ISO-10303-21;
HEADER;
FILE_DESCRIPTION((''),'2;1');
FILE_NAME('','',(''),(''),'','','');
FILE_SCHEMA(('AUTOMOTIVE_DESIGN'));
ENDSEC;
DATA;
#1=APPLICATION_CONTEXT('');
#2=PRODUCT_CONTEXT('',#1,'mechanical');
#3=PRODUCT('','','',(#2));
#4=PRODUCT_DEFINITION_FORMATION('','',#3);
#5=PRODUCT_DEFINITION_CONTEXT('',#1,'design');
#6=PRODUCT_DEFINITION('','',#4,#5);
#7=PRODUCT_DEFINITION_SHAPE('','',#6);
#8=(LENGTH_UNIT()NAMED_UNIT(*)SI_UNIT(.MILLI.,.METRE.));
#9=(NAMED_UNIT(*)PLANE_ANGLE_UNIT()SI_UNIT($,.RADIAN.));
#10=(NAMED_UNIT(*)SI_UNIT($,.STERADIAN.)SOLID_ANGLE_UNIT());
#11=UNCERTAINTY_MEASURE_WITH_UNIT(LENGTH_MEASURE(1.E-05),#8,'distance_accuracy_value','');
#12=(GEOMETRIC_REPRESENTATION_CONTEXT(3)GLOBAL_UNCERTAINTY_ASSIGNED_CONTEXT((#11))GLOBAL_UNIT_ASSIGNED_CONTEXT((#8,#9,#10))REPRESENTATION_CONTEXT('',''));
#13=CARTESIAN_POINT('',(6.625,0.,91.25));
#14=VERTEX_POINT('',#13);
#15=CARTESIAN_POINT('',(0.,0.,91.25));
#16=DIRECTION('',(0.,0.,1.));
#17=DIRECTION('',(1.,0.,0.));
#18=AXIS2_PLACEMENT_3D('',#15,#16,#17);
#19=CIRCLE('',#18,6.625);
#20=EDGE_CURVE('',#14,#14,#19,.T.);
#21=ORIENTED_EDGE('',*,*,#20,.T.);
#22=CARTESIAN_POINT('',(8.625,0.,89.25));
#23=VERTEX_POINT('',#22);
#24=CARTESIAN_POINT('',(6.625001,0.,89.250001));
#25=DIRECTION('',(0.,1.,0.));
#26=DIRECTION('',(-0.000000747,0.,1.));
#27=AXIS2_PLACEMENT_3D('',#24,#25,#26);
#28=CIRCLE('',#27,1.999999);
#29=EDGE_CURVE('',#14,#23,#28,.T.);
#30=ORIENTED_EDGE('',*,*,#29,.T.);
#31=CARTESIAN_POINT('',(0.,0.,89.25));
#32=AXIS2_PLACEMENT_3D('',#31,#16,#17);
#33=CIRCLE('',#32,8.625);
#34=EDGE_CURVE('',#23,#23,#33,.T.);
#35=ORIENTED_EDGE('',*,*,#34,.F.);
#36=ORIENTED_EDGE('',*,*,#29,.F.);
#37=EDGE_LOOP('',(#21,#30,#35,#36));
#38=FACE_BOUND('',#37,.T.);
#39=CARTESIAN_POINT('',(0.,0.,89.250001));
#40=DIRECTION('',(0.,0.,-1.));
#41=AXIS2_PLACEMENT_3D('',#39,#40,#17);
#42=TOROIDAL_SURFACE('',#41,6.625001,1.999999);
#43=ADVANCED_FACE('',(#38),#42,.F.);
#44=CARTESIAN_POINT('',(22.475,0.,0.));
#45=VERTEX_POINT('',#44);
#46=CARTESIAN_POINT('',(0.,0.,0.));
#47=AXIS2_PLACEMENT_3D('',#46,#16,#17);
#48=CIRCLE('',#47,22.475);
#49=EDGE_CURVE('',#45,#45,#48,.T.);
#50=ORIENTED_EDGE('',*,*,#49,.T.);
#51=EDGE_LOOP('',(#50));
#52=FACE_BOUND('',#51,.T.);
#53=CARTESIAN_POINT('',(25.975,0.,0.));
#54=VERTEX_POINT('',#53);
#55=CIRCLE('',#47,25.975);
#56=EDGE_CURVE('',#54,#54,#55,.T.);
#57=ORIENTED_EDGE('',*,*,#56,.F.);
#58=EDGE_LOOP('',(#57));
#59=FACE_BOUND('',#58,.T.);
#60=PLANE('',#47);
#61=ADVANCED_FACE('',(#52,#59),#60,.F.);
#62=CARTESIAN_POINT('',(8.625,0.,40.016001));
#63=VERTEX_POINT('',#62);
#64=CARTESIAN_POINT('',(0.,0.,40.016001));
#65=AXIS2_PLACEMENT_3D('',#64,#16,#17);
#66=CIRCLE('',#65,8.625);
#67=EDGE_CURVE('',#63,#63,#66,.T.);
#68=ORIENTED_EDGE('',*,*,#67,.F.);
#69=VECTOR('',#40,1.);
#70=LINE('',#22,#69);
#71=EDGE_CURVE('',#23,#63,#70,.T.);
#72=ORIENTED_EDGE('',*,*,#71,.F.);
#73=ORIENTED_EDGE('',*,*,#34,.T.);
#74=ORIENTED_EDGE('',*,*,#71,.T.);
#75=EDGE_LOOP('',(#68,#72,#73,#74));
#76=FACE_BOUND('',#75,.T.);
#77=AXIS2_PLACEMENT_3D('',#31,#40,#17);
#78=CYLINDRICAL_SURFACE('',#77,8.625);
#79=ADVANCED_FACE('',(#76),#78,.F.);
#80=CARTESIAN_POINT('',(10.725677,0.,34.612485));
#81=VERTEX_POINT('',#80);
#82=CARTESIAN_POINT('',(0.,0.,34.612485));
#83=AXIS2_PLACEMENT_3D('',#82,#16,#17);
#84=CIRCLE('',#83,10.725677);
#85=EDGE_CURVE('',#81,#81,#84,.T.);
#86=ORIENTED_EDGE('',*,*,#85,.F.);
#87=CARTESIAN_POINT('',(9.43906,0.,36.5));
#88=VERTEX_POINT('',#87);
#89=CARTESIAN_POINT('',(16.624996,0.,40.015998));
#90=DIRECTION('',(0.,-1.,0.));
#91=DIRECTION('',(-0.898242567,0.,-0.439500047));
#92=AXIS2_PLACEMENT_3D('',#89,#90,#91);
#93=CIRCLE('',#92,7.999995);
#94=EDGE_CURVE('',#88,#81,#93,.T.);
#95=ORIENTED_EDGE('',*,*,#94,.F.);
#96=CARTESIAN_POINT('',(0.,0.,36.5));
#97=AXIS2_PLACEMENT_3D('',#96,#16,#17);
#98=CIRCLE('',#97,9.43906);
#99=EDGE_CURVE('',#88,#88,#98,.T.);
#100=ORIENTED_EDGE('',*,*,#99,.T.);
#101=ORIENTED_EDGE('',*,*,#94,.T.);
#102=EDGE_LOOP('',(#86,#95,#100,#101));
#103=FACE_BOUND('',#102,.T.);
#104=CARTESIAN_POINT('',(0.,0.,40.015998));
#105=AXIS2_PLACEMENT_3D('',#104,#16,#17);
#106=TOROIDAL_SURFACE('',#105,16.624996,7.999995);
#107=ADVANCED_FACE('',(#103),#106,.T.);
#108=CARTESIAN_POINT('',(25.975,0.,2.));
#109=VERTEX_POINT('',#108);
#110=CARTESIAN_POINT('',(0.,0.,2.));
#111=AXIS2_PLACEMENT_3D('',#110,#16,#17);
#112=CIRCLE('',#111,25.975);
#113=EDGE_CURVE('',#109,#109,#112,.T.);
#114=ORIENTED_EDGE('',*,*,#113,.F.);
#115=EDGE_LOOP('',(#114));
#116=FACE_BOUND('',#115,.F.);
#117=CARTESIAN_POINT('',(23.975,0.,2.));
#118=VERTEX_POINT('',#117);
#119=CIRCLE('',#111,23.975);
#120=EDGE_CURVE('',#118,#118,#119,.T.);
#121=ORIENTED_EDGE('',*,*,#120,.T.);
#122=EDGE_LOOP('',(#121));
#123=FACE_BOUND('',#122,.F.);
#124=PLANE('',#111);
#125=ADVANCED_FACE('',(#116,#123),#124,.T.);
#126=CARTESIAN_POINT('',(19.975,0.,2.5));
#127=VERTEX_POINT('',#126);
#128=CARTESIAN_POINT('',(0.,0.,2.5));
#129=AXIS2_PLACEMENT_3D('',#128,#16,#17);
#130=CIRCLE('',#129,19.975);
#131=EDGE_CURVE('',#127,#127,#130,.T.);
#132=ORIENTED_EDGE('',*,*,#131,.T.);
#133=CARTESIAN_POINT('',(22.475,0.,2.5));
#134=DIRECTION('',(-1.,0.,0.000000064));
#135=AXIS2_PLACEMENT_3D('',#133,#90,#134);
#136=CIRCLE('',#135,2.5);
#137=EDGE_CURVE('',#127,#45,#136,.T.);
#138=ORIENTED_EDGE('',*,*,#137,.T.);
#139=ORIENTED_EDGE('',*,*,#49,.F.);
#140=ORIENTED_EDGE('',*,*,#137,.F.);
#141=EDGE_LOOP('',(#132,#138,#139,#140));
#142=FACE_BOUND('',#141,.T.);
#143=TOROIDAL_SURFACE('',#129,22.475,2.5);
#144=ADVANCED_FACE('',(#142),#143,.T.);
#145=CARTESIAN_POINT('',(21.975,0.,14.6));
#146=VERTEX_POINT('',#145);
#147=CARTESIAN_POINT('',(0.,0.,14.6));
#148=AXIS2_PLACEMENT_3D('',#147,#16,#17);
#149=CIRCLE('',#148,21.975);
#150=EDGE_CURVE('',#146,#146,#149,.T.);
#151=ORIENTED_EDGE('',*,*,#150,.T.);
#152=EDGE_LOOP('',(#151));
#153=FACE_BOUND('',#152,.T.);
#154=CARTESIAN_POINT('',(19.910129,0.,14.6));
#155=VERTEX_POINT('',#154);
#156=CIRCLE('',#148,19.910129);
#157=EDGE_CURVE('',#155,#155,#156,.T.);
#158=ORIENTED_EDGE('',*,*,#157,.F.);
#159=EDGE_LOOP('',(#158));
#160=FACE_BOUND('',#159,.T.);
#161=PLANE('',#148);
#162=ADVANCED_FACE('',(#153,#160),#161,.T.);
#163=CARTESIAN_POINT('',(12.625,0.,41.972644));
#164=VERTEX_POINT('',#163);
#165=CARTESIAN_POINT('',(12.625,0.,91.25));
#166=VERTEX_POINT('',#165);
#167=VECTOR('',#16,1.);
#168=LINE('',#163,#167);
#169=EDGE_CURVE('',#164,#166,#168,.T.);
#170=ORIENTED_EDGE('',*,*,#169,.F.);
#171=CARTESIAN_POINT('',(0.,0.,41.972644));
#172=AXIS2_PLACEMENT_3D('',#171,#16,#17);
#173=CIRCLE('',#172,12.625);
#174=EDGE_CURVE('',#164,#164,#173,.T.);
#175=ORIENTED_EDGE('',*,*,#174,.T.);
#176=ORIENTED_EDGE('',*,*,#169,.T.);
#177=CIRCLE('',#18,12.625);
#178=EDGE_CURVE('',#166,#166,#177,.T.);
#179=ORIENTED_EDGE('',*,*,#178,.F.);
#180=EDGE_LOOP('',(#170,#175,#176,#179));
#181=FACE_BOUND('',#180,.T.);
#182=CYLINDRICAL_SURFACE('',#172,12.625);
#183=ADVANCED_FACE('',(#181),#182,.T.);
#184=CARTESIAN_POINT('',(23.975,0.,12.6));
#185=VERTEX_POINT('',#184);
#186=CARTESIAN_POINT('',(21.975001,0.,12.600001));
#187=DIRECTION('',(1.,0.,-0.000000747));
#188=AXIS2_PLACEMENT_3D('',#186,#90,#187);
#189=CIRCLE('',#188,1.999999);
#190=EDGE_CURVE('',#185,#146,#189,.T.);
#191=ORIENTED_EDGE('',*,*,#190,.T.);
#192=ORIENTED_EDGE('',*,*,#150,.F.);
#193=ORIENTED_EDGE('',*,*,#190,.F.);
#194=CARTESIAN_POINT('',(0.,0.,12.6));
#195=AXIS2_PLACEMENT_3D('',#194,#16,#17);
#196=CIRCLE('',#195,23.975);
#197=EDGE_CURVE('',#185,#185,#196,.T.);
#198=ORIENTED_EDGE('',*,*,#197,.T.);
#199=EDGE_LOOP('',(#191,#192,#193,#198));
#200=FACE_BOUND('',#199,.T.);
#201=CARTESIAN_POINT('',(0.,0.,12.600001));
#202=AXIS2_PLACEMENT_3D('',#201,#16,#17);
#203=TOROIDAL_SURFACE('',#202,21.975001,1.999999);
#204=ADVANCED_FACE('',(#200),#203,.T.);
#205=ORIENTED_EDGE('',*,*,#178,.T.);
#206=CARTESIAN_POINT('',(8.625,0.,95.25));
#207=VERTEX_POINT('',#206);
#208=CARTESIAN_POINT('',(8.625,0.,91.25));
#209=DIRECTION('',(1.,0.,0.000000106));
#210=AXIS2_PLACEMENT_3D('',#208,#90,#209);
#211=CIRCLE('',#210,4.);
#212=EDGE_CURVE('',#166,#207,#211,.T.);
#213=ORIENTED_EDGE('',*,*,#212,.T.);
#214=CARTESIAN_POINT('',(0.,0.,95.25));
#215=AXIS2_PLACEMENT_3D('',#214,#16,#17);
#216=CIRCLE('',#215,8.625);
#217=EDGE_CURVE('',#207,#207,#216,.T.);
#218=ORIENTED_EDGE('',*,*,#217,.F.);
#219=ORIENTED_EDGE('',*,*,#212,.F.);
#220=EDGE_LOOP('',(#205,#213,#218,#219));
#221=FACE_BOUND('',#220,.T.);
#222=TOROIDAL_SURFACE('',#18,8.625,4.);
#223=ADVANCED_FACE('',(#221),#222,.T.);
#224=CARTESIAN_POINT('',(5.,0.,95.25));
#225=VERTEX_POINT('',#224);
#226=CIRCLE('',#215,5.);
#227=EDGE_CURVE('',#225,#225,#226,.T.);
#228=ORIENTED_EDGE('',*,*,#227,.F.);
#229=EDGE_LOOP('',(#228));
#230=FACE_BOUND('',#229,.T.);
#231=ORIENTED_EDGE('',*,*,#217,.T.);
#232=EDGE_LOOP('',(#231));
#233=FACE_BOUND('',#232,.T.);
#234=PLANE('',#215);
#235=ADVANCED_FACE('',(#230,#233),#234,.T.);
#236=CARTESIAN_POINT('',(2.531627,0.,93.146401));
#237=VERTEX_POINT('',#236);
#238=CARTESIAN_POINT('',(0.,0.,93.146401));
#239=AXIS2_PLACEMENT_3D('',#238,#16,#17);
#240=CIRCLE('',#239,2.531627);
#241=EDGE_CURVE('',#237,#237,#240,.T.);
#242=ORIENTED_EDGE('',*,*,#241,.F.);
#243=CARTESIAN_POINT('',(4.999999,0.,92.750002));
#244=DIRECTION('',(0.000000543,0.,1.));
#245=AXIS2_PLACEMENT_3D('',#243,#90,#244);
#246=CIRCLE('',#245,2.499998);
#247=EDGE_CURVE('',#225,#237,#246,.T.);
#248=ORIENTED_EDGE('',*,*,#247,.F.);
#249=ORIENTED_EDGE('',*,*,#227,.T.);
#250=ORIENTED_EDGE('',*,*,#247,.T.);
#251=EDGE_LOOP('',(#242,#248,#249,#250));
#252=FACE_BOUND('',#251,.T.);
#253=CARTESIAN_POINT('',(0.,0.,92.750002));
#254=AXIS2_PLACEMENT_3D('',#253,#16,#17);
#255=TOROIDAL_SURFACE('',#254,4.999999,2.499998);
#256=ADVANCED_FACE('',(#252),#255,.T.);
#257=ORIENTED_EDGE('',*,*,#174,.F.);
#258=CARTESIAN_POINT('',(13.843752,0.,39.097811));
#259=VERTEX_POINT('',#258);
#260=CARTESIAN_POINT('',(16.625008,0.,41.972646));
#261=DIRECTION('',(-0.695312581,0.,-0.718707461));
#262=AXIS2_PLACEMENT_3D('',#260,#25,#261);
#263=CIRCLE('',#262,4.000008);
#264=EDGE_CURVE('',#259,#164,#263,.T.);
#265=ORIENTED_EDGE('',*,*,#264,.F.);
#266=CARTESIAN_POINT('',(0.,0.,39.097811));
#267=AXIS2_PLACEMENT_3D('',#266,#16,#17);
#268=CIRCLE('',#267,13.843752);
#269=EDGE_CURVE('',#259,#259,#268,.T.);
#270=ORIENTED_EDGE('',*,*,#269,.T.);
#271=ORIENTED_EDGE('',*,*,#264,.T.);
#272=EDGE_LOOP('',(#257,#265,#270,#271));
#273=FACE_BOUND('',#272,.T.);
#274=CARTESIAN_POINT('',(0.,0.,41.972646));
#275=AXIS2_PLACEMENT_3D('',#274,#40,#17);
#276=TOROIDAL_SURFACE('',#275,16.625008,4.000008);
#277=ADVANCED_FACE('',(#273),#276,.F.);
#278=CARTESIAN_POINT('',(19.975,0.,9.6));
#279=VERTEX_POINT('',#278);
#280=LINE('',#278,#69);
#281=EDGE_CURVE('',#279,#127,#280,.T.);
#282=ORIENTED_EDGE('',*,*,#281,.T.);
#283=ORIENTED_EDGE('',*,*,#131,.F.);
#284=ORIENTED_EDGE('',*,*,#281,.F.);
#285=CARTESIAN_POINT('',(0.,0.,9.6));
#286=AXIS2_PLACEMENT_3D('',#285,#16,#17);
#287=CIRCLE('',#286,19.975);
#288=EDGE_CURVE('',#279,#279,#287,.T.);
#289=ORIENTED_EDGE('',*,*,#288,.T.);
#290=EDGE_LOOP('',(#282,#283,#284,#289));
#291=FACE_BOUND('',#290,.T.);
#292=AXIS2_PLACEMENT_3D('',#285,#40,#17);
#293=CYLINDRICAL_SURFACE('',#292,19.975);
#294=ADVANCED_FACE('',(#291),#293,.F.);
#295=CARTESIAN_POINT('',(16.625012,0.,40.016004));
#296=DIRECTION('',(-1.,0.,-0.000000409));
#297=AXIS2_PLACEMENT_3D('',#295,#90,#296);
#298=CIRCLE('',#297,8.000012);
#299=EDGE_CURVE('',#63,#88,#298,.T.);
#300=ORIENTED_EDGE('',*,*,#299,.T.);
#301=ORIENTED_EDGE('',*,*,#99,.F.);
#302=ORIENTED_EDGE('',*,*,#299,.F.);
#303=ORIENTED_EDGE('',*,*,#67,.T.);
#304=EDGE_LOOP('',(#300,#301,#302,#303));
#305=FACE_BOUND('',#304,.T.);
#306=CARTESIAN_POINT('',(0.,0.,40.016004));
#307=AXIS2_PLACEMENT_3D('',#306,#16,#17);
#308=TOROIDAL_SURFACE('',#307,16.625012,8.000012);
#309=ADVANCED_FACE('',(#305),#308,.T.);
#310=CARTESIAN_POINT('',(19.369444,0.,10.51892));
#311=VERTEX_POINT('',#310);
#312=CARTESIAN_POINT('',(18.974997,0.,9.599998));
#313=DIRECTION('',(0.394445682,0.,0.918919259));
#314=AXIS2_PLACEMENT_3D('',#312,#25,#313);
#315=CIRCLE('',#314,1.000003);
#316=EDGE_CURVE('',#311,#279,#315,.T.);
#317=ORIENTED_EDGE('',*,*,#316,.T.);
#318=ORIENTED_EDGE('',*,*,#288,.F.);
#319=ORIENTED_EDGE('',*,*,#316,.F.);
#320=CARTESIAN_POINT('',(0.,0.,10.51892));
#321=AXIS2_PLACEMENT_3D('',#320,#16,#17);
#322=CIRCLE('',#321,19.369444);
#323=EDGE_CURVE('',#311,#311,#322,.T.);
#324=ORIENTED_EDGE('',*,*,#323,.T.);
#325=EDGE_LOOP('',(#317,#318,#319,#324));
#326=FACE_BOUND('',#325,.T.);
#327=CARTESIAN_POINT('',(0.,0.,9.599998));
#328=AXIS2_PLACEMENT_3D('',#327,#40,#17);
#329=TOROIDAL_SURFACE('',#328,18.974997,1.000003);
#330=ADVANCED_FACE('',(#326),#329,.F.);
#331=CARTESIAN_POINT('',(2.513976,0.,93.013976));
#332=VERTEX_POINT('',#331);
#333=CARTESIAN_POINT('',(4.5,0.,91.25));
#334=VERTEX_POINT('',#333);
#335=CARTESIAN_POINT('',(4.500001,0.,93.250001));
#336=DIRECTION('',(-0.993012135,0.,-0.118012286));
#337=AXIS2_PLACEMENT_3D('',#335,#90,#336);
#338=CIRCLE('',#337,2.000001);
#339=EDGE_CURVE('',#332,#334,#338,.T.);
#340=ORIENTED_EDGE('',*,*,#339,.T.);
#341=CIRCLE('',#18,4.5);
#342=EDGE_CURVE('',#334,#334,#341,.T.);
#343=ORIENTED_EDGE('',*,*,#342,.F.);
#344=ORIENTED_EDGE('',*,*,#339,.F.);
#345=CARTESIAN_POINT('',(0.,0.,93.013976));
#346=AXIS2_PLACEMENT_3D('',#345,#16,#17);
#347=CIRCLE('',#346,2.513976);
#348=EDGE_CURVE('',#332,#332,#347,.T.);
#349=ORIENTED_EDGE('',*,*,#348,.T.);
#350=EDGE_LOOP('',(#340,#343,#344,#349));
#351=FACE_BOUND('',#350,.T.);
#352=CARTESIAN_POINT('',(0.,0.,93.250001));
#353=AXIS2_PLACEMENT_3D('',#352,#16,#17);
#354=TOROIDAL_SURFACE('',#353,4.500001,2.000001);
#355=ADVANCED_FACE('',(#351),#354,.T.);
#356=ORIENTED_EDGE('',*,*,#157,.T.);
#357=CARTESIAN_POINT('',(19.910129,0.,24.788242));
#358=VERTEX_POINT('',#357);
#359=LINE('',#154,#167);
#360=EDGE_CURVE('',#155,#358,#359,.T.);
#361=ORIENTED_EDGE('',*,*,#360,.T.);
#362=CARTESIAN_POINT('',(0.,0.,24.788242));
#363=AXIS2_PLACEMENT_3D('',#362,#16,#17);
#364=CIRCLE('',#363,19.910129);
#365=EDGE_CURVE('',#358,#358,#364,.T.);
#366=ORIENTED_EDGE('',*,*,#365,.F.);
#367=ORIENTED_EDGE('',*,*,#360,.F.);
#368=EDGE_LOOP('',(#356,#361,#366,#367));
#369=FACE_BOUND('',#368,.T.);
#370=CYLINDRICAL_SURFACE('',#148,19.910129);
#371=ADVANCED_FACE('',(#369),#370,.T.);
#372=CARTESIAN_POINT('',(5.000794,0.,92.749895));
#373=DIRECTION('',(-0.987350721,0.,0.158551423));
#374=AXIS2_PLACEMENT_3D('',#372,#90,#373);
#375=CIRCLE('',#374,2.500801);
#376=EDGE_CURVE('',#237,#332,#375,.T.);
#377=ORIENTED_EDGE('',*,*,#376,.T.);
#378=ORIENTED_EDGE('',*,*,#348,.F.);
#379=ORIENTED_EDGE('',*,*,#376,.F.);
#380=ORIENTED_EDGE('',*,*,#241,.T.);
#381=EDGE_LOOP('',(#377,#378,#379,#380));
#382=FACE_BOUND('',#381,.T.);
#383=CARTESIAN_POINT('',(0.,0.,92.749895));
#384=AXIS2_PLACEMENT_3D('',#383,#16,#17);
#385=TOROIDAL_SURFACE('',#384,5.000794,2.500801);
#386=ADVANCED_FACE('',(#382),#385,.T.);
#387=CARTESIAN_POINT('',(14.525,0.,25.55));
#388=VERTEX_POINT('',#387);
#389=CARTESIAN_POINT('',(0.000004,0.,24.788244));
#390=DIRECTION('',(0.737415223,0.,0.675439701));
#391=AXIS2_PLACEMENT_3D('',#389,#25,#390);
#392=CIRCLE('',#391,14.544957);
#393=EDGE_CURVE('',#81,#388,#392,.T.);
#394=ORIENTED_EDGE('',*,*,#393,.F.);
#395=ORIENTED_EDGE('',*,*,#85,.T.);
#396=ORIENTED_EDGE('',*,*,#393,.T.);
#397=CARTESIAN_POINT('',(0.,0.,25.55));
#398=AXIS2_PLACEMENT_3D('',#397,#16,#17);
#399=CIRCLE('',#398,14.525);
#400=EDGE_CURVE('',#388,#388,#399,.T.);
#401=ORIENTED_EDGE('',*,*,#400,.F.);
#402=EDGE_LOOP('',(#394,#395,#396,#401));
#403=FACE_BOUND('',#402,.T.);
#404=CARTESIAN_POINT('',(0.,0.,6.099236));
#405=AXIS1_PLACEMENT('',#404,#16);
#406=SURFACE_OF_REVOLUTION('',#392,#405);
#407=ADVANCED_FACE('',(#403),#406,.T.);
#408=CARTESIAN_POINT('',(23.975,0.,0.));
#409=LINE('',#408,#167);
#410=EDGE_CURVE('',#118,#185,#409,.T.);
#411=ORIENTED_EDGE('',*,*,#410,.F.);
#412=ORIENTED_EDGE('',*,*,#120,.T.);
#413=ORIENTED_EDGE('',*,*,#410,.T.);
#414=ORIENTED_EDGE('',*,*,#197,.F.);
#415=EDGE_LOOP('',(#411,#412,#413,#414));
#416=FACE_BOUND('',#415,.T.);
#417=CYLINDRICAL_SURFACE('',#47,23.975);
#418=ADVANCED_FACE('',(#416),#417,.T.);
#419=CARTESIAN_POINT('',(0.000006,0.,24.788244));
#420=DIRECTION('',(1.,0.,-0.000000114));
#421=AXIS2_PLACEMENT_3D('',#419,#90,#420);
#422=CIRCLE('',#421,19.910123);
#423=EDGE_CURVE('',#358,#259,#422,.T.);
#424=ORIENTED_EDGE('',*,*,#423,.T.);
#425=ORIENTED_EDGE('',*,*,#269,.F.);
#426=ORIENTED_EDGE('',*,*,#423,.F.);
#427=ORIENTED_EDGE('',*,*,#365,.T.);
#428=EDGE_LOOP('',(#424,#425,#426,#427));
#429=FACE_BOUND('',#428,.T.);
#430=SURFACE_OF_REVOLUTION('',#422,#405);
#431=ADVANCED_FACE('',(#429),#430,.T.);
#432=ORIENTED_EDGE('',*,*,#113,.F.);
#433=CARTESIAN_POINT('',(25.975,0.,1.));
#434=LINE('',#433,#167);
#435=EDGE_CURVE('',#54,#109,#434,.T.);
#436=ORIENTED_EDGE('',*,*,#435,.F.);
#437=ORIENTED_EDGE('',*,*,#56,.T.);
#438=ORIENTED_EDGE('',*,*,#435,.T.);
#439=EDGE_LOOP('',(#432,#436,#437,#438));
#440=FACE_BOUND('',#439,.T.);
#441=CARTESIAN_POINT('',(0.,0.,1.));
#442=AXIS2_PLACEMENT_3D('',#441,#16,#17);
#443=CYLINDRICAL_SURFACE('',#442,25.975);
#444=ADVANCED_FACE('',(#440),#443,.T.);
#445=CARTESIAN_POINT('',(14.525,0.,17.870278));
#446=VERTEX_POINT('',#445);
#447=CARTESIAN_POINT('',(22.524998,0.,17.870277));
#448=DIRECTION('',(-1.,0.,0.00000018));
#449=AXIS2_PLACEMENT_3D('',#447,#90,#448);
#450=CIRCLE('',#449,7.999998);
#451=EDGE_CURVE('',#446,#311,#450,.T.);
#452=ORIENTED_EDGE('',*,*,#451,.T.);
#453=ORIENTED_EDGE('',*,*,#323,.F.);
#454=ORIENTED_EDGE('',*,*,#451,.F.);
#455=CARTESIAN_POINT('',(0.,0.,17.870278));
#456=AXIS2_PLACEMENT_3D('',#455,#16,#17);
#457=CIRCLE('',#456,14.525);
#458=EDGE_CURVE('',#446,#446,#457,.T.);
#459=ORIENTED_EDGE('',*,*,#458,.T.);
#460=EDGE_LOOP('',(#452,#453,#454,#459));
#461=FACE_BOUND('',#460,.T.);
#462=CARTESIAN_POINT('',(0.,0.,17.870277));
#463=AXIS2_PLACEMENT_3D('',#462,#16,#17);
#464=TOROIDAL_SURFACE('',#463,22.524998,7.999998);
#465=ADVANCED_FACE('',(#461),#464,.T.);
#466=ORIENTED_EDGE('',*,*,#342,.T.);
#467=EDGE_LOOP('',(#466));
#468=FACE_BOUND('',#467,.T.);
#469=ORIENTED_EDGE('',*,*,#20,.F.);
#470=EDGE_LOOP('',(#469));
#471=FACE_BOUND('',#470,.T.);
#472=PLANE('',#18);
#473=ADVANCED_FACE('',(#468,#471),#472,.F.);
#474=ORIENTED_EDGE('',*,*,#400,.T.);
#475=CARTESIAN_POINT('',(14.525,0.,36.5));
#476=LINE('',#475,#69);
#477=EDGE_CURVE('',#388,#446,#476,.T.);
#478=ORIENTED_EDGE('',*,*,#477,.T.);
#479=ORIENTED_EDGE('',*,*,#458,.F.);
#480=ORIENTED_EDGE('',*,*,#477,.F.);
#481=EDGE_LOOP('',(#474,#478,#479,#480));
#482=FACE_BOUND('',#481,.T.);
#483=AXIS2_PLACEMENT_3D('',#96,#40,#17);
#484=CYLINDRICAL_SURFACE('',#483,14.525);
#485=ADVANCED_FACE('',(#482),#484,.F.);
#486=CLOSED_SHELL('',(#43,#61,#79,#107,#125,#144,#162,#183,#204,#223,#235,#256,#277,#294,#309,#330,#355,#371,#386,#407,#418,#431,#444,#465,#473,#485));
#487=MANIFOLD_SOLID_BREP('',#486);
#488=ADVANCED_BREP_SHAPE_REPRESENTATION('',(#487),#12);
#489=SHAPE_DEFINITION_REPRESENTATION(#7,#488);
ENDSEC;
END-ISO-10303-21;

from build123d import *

# Parameters (mm, degrees)
F0_W = 2
F0_H = 2


with BuildPart() as f1:
    # F0 (on Front) → F1 (revolve)
    with BuildSketch(Plane.XZ):
        with BuildLine():
            Line((19.975, 9.6), (19.975, 2.5))
            ThreePointArc((19.975, 2.5), (20.707233, 0.732233), (22.475, 0))
            Line((22.475, 0), (23.975, 0))
            Line((23.975, 0), (23.975, 2))
            Line((23.975, 2), (23.975, 12.6))
            ThreePointArc((23.975, 12.6), (23.389214, 14.014214), (21.975, 14.6))
            Line((21.975, 14.6), (19.910129, 14.6))
            Line((19.910129, 14.6), (19.910129, 24.788242))
            ThreePointArc((19.910129, 24.788242), (18.330905, 32.559418), (13.843752, 39.097811))
            ThreePointArc((13.843752, 39.097811), (12.942271, 40.411393), (12.625, 41.972644))
            Line((12.625, 41.972644), (12.625, 91.25))
            ThreePointArc((12.625, 91.25), (11.453427, 94.078427), (8.625, 95.25))
            Line((8.625, 95.25), (5, 95.25))
            ThreePointArc((5, 95.25), (3.378427, 94.652762), (2.531627, 93.146401))
            ThreePointArc((2.531627, 93.146401), (2.521917, 93.080306), (2.513976, 93.013976))
            ThreePointArc((2.513976, 93.013976), (3.171853, 91.754666), (4.5, 91.25))
            Line((4.5, 91.25), (6.625, 91.25))
            ThreePointArc((6.625, 91.25), (8.039214, 90.664214), (8.625, 89.25))
            Line((8.625, 89.25), (8.625, 40.016001))
            ThreePointArc((8.625, 40.016001), (8.831172, 38.211496), (9.43906, 36.5))
            Line((9.43906, 36.5), (14.525, 36.5))
            Line((14.525, 36.5), (14.525, 25.55))
            Line((14.525, 25.55), (14.525, 17.870278))
            ThreePointArc((14.525, 17.870278), (15.845013, 13.468258), (19.369444, 10.51892))
            ThreePointArc((19.369444, 10.51892), (19.809998, 10.150252), (19.975, 9.6))
        make_face()
        with Locations((24.975, 1)):
            Rectangle(F0_W, F0_H)
        with BuildLine():
            ThreePointArc((10.725677, 34.612485), (13.413849, 30.411814), (14.525, 25.55))
            Line((14.525, 25.55), (14.525, 36.5))
            Line((14.525, 36.5), (9.43906, 36.5))
            ThreePointArc((9.43906, 36.5), (10.014652, 35.510083), (10.725677, 34.612485))
        make_face()
    revolve(axis=Axis((0, 0, 6.099236), (0, 0, 1)))


solid = f1.part
